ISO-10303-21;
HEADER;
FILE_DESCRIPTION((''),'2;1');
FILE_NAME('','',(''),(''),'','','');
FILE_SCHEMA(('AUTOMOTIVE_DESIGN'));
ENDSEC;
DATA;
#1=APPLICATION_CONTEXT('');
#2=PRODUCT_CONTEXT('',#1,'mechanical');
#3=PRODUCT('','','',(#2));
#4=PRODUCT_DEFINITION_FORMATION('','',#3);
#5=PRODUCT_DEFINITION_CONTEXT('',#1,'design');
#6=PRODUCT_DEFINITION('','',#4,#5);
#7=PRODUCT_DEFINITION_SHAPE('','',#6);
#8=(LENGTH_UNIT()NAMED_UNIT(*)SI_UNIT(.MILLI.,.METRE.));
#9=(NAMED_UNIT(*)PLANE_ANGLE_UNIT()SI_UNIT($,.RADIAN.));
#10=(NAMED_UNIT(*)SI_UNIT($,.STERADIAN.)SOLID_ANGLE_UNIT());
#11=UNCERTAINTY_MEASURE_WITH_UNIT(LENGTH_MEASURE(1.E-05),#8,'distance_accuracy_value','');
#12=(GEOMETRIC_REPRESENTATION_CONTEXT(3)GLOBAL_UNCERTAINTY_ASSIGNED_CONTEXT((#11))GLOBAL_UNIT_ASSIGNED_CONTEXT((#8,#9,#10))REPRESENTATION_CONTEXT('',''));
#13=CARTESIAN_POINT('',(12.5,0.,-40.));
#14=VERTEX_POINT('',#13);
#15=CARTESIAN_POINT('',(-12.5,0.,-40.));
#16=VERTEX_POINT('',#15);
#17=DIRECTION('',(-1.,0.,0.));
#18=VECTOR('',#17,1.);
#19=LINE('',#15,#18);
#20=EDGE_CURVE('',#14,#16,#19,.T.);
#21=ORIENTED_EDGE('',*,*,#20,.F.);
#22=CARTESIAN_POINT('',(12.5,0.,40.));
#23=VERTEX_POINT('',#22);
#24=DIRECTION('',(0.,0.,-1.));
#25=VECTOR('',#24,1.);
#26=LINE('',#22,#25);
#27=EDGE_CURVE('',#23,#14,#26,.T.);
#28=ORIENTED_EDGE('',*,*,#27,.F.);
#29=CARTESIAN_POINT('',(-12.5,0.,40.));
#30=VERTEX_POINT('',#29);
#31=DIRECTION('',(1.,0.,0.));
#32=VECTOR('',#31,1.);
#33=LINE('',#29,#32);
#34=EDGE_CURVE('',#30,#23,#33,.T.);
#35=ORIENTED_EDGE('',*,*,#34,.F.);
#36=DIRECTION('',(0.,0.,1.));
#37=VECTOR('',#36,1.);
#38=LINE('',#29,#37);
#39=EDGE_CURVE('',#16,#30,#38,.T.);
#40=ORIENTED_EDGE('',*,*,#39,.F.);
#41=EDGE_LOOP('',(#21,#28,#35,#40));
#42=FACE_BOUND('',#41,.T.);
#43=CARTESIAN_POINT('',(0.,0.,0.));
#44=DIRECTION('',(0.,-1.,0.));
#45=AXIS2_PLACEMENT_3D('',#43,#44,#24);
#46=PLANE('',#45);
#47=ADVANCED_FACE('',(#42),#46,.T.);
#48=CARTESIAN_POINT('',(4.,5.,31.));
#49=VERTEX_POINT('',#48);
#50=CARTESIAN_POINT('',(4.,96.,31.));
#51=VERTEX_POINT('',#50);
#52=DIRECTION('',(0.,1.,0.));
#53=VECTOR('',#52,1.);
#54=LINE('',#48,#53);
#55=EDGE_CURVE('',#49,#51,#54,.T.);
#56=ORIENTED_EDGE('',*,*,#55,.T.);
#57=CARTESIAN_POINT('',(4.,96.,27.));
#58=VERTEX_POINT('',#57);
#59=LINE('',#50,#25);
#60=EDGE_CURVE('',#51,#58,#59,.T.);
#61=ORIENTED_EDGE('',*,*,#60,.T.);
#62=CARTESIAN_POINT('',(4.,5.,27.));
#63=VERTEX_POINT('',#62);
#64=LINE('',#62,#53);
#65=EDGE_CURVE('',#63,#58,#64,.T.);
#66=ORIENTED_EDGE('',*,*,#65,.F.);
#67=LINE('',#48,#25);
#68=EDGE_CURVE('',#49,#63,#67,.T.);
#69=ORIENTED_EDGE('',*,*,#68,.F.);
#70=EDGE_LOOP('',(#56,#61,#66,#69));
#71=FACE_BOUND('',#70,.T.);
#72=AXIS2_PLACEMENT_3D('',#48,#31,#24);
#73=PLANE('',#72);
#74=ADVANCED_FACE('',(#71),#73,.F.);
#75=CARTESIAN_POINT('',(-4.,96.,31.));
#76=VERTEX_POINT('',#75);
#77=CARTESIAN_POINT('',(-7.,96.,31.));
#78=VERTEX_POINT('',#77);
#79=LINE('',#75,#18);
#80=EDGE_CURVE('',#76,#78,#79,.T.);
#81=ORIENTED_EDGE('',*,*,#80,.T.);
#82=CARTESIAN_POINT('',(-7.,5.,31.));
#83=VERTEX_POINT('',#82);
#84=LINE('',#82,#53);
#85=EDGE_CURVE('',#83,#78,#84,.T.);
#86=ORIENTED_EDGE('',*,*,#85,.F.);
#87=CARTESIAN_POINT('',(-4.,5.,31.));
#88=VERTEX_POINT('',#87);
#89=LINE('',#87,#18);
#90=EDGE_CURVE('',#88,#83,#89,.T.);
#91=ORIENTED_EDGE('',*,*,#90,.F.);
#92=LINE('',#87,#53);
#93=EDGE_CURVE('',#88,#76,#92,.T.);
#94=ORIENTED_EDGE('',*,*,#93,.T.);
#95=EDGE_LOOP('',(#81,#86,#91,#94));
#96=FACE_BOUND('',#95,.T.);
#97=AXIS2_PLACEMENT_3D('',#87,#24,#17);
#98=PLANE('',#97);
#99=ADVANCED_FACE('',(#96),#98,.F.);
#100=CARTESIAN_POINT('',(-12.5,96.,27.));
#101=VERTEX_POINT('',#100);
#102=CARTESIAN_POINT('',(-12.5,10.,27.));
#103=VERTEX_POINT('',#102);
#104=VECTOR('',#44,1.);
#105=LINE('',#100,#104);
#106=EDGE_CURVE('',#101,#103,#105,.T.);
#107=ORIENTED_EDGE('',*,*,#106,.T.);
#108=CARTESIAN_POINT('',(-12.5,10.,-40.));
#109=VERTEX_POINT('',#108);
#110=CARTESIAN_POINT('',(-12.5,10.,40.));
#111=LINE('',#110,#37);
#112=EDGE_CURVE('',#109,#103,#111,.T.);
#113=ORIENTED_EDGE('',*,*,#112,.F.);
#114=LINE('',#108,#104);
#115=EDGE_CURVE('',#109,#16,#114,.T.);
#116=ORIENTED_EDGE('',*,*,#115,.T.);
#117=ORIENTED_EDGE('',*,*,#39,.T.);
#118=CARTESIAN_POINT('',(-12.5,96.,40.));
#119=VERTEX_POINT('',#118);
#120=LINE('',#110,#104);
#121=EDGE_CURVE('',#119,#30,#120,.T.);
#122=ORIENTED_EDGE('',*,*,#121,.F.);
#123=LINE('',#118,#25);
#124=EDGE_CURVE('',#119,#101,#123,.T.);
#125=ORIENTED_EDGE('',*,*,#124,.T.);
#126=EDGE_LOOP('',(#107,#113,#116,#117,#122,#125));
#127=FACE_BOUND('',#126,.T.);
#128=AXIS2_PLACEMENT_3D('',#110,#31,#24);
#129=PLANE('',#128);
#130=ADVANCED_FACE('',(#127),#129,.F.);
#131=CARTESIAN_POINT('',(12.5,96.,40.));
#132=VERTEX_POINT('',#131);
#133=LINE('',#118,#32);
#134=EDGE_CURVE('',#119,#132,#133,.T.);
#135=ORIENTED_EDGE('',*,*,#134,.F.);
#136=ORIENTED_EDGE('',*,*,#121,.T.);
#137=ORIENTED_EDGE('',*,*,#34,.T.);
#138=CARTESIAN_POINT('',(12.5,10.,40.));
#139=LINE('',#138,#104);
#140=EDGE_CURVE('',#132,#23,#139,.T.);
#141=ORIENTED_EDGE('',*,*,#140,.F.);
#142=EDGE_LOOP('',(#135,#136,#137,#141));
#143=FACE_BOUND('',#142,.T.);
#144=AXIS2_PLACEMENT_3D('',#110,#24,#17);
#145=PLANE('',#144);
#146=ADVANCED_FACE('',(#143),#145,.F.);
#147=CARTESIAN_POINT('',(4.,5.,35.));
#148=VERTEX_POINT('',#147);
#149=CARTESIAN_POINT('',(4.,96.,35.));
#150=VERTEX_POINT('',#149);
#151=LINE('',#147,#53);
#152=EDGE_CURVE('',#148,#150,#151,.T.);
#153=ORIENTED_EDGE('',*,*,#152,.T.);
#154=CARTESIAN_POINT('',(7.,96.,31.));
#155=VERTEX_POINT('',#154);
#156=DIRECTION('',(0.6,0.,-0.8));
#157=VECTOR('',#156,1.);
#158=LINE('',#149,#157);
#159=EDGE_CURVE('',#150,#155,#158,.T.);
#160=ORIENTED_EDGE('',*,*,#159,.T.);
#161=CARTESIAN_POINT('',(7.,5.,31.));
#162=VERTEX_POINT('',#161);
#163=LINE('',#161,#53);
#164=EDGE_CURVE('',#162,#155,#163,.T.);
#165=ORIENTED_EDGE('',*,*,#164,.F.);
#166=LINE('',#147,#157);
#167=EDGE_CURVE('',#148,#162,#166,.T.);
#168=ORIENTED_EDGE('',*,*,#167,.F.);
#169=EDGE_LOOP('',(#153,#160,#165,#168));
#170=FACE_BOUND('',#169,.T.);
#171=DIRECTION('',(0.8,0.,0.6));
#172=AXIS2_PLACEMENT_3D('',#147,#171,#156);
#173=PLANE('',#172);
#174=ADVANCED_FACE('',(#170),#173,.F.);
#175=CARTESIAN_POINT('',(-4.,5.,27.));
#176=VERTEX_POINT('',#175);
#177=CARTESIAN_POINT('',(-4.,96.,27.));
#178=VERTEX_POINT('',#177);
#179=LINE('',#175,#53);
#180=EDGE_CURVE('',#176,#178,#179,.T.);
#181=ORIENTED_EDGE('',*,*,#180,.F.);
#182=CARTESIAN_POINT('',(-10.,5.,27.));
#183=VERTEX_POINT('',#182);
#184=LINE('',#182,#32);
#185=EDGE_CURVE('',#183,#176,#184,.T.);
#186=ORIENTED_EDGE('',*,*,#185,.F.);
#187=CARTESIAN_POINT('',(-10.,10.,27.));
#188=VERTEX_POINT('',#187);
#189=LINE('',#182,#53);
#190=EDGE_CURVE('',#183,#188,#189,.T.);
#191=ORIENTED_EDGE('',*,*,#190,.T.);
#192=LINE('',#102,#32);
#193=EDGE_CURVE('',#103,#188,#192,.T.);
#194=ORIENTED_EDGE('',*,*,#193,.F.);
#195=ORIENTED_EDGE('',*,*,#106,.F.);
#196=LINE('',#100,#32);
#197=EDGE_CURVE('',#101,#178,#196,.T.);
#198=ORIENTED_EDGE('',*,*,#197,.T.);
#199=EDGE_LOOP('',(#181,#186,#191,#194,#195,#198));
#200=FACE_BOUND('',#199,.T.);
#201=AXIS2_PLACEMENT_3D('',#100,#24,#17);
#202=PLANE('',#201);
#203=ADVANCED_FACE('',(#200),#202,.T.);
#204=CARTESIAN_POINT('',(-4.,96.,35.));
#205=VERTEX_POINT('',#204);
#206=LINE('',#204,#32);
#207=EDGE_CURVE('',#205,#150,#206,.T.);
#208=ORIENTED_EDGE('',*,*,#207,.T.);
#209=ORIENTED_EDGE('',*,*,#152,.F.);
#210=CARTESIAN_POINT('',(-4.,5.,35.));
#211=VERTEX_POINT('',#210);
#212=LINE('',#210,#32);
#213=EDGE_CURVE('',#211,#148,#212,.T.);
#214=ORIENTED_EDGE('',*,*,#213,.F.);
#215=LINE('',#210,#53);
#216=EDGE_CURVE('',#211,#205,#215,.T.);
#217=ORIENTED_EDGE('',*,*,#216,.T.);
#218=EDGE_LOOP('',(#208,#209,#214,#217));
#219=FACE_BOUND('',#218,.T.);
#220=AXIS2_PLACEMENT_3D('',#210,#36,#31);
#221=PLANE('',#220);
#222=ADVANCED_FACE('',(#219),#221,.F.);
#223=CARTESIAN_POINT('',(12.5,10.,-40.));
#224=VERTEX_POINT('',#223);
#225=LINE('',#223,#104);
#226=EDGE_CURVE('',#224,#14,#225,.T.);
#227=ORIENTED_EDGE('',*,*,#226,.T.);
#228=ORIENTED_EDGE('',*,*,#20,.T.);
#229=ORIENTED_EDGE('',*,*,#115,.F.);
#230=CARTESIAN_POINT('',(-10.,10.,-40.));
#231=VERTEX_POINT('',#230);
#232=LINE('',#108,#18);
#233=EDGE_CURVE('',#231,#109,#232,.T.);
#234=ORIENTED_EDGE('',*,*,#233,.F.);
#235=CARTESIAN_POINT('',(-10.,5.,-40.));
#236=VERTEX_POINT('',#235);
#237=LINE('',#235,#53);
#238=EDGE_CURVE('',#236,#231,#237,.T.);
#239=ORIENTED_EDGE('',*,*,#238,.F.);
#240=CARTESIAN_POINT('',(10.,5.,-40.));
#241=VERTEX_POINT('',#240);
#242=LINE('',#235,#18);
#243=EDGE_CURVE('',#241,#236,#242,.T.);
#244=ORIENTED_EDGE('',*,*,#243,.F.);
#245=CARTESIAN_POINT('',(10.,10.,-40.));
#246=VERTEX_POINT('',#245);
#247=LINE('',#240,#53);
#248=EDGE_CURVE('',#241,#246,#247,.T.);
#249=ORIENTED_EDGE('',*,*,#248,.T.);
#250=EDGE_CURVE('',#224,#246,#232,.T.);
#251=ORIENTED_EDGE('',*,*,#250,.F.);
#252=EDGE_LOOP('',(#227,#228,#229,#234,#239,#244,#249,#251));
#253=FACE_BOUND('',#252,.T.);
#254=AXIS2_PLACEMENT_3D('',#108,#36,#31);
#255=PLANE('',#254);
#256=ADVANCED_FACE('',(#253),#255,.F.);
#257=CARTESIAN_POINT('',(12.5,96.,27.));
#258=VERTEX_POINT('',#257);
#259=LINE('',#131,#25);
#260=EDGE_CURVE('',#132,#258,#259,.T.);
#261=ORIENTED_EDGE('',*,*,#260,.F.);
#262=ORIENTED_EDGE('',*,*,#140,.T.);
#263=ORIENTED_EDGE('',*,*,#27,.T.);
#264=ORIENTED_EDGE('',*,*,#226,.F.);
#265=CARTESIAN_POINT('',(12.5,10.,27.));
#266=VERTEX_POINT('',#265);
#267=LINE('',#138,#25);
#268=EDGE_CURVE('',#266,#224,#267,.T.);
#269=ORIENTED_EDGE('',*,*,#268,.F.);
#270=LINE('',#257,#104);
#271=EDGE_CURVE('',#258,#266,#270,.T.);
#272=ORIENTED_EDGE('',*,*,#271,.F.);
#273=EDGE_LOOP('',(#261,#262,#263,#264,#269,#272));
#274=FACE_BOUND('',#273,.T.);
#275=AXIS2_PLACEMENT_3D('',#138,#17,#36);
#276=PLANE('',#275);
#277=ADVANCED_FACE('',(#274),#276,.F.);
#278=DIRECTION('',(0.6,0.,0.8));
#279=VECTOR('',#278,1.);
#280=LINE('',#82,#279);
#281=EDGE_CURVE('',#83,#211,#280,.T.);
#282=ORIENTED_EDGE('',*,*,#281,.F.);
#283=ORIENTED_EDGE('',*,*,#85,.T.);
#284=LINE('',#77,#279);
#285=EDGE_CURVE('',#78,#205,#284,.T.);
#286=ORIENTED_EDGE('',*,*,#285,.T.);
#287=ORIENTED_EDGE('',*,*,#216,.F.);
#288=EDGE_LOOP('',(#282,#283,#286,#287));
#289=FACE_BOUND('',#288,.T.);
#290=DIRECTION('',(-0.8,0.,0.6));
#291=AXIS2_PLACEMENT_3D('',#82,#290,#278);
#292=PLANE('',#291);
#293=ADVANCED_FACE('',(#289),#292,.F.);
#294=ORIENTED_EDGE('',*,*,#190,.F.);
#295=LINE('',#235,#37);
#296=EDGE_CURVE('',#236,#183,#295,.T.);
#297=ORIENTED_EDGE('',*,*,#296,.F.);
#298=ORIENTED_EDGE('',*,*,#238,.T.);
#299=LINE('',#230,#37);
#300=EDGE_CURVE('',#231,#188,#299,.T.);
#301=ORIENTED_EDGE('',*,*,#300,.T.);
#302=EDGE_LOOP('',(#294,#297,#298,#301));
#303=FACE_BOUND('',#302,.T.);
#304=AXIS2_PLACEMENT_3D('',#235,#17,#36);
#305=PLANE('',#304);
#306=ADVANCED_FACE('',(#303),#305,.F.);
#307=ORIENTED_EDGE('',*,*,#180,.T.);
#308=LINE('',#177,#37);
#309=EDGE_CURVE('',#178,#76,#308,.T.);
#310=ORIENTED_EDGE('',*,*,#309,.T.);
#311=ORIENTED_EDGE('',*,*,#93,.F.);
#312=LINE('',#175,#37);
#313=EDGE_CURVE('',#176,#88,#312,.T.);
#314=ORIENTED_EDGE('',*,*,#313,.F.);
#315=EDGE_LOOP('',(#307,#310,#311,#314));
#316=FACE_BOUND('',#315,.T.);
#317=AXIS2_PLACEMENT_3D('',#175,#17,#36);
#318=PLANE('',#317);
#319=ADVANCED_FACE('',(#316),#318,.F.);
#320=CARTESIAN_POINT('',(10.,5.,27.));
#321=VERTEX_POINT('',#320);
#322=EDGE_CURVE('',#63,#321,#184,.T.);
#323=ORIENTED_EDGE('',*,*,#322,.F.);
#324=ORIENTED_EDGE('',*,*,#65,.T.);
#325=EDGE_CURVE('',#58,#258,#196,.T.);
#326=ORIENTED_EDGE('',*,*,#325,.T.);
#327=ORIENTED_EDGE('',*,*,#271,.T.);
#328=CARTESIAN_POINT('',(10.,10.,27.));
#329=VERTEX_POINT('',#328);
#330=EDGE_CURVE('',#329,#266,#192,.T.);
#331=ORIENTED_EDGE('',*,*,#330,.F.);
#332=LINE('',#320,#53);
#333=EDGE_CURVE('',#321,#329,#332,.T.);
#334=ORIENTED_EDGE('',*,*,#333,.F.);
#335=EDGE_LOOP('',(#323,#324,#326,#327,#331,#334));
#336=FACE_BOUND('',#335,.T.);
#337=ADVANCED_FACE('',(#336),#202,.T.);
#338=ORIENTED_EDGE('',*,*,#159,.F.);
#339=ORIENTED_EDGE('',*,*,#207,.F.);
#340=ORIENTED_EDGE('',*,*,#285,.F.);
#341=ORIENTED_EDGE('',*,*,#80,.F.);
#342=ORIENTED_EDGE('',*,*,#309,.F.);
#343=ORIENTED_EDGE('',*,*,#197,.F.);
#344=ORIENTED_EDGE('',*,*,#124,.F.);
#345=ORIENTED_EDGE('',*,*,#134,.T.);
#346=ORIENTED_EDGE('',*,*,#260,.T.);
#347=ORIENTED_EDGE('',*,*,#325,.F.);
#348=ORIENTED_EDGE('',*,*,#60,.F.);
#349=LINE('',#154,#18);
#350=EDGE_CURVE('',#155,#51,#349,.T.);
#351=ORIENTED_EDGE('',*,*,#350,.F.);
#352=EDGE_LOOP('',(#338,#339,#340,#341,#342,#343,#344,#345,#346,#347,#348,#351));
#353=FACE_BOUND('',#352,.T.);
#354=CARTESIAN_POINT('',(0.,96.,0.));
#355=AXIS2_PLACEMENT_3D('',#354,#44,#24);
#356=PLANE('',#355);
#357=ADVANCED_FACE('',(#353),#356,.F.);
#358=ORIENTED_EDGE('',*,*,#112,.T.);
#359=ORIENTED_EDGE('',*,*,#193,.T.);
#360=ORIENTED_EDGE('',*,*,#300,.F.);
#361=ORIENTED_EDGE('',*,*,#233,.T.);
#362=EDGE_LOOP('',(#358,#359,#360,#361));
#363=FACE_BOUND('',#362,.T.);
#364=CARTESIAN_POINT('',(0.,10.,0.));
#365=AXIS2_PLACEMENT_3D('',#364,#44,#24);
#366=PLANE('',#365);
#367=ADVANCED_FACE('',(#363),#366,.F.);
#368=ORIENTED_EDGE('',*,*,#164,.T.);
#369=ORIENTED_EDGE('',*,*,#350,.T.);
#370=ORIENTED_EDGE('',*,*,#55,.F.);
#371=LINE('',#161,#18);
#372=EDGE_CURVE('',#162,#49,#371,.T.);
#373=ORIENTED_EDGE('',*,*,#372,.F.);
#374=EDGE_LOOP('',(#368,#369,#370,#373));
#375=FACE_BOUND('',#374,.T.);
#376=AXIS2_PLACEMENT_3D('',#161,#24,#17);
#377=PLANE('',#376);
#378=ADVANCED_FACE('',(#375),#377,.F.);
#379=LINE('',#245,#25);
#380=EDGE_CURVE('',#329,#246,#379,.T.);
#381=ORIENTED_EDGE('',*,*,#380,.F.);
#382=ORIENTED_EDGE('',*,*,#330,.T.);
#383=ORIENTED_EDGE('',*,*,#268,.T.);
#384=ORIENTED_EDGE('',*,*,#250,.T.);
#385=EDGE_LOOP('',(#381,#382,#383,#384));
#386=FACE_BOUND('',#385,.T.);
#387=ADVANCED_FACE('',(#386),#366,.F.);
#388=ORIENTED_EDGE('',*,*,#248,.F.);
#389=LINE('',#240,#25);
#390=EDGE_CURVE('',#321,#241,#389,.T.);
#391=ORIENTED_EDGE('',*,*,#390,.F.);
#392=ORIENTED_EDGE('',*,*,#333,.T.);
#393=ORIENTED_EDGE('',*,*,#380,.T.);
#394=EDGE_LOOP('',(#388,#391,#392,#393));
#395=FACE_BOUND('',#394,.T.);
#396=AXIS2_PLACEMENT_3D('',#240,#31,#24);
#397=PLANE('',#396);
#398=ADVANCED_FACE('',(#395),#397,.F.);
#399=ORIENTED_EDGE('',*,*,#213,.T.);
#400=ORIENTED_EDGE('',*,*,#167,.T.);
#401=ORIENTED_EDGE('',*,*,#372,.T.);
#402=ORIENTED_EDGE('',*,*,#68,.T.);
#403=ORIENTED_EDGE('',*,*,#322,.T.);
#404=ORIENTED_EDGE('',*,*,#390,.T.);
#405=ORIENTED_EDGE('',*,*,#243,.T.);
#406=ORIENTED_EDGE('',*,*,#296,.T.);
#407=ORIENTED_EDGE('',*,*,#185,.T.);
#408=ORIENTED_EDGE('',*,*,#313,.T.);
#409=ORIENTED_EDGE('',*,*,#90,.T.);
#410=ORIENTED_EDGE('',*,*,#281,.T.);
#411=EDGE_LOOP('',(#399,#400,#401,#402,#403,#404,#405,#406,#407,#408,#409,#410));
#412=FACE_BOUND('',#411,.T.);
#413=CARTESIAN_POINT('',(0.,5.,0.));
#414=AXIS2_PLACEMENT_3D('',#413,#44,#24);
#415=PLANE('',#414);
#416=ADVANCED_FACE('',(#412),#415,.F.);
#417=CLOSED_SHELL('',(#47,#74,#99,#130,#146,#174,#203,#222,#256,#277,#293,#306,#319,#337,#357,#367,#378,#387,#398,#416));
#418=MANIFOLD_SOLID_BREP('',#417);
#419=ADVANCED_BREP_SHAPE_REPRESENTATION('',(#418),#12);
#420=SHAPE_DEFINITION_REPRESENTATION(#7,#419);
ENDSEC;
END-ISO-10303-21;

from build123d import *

# Parameters (mm, degrees)
SKETCH1_W           = 25
SKETCH1_H           = 80
BOSS_EXTRUDE1_DEPTH = 10
SKETCH2_W           = 25
SKETCH2_H           = 13
BOSS_EXTRUDE2_DEPTH = 86
CUT_EXTRUDE1_DEPTH  = 91
SKETCH4_W           = 20
SKETCH4_H           = 67
CUT_EXTRUDE2_DEPTH  = 5


with BuildPart() as part:
    # Sketch1 → Boss-Extrude1 (new body)
    with BuildSketch(Plane(origin=(0, 0, 0), x_dir=(1, 0, 0), z_dir=(0, 1, 0))):
        Rectangle(SKETCH1_W, SKETCH1_H)
    extrude(amount=BOSS_EXTRUDE1_DEPTH)

    # Sketch2 → Boss-Extrude2 (add)
    with BuildSketch(Plane(origin=(0, 10, 0), x_dir=(1, 0, 0), z_dir=(0, 1, 0))):
        with Locations((0, -33.5)):
            Rectangle(SKETCH2_W, SKETCH2_H)
    extrude(amount=BOSS_EXTRUDE2_DEPTH)

    # Sketch3 → Cut-Extrude1 (cut)
    with BuildSketch(Plane(origin=(0, 96, 0), x_dir=(1, 0, 0), z_dir=(0, 1, 0))):
        Polygon((-4, -27), (4, -27), (4, -31), (7, -31), (4, -35), (-4, -35), (-7, -31), (-4, -31), align=None)
    extrude(amount=-CUT_EXTRUDE1_DEPTH, mode=Mode.SUBTRACT)

    # Sketch4 → Cut-Extrude2 (cut)
    with BuildSketch(Plane(origin=(0, 10, 0), x_dir=(1, 0, 0), z_dir=(0, 1, 0))):
        with Locations((0, 6.5)):
            Rectangle(SKETCH4_W, SKETCH4_H)
    extrude(amount=-CUT_EXTRUDE2_DEPTH, mode=Mode.SUBTRACT)


solid = part.part
